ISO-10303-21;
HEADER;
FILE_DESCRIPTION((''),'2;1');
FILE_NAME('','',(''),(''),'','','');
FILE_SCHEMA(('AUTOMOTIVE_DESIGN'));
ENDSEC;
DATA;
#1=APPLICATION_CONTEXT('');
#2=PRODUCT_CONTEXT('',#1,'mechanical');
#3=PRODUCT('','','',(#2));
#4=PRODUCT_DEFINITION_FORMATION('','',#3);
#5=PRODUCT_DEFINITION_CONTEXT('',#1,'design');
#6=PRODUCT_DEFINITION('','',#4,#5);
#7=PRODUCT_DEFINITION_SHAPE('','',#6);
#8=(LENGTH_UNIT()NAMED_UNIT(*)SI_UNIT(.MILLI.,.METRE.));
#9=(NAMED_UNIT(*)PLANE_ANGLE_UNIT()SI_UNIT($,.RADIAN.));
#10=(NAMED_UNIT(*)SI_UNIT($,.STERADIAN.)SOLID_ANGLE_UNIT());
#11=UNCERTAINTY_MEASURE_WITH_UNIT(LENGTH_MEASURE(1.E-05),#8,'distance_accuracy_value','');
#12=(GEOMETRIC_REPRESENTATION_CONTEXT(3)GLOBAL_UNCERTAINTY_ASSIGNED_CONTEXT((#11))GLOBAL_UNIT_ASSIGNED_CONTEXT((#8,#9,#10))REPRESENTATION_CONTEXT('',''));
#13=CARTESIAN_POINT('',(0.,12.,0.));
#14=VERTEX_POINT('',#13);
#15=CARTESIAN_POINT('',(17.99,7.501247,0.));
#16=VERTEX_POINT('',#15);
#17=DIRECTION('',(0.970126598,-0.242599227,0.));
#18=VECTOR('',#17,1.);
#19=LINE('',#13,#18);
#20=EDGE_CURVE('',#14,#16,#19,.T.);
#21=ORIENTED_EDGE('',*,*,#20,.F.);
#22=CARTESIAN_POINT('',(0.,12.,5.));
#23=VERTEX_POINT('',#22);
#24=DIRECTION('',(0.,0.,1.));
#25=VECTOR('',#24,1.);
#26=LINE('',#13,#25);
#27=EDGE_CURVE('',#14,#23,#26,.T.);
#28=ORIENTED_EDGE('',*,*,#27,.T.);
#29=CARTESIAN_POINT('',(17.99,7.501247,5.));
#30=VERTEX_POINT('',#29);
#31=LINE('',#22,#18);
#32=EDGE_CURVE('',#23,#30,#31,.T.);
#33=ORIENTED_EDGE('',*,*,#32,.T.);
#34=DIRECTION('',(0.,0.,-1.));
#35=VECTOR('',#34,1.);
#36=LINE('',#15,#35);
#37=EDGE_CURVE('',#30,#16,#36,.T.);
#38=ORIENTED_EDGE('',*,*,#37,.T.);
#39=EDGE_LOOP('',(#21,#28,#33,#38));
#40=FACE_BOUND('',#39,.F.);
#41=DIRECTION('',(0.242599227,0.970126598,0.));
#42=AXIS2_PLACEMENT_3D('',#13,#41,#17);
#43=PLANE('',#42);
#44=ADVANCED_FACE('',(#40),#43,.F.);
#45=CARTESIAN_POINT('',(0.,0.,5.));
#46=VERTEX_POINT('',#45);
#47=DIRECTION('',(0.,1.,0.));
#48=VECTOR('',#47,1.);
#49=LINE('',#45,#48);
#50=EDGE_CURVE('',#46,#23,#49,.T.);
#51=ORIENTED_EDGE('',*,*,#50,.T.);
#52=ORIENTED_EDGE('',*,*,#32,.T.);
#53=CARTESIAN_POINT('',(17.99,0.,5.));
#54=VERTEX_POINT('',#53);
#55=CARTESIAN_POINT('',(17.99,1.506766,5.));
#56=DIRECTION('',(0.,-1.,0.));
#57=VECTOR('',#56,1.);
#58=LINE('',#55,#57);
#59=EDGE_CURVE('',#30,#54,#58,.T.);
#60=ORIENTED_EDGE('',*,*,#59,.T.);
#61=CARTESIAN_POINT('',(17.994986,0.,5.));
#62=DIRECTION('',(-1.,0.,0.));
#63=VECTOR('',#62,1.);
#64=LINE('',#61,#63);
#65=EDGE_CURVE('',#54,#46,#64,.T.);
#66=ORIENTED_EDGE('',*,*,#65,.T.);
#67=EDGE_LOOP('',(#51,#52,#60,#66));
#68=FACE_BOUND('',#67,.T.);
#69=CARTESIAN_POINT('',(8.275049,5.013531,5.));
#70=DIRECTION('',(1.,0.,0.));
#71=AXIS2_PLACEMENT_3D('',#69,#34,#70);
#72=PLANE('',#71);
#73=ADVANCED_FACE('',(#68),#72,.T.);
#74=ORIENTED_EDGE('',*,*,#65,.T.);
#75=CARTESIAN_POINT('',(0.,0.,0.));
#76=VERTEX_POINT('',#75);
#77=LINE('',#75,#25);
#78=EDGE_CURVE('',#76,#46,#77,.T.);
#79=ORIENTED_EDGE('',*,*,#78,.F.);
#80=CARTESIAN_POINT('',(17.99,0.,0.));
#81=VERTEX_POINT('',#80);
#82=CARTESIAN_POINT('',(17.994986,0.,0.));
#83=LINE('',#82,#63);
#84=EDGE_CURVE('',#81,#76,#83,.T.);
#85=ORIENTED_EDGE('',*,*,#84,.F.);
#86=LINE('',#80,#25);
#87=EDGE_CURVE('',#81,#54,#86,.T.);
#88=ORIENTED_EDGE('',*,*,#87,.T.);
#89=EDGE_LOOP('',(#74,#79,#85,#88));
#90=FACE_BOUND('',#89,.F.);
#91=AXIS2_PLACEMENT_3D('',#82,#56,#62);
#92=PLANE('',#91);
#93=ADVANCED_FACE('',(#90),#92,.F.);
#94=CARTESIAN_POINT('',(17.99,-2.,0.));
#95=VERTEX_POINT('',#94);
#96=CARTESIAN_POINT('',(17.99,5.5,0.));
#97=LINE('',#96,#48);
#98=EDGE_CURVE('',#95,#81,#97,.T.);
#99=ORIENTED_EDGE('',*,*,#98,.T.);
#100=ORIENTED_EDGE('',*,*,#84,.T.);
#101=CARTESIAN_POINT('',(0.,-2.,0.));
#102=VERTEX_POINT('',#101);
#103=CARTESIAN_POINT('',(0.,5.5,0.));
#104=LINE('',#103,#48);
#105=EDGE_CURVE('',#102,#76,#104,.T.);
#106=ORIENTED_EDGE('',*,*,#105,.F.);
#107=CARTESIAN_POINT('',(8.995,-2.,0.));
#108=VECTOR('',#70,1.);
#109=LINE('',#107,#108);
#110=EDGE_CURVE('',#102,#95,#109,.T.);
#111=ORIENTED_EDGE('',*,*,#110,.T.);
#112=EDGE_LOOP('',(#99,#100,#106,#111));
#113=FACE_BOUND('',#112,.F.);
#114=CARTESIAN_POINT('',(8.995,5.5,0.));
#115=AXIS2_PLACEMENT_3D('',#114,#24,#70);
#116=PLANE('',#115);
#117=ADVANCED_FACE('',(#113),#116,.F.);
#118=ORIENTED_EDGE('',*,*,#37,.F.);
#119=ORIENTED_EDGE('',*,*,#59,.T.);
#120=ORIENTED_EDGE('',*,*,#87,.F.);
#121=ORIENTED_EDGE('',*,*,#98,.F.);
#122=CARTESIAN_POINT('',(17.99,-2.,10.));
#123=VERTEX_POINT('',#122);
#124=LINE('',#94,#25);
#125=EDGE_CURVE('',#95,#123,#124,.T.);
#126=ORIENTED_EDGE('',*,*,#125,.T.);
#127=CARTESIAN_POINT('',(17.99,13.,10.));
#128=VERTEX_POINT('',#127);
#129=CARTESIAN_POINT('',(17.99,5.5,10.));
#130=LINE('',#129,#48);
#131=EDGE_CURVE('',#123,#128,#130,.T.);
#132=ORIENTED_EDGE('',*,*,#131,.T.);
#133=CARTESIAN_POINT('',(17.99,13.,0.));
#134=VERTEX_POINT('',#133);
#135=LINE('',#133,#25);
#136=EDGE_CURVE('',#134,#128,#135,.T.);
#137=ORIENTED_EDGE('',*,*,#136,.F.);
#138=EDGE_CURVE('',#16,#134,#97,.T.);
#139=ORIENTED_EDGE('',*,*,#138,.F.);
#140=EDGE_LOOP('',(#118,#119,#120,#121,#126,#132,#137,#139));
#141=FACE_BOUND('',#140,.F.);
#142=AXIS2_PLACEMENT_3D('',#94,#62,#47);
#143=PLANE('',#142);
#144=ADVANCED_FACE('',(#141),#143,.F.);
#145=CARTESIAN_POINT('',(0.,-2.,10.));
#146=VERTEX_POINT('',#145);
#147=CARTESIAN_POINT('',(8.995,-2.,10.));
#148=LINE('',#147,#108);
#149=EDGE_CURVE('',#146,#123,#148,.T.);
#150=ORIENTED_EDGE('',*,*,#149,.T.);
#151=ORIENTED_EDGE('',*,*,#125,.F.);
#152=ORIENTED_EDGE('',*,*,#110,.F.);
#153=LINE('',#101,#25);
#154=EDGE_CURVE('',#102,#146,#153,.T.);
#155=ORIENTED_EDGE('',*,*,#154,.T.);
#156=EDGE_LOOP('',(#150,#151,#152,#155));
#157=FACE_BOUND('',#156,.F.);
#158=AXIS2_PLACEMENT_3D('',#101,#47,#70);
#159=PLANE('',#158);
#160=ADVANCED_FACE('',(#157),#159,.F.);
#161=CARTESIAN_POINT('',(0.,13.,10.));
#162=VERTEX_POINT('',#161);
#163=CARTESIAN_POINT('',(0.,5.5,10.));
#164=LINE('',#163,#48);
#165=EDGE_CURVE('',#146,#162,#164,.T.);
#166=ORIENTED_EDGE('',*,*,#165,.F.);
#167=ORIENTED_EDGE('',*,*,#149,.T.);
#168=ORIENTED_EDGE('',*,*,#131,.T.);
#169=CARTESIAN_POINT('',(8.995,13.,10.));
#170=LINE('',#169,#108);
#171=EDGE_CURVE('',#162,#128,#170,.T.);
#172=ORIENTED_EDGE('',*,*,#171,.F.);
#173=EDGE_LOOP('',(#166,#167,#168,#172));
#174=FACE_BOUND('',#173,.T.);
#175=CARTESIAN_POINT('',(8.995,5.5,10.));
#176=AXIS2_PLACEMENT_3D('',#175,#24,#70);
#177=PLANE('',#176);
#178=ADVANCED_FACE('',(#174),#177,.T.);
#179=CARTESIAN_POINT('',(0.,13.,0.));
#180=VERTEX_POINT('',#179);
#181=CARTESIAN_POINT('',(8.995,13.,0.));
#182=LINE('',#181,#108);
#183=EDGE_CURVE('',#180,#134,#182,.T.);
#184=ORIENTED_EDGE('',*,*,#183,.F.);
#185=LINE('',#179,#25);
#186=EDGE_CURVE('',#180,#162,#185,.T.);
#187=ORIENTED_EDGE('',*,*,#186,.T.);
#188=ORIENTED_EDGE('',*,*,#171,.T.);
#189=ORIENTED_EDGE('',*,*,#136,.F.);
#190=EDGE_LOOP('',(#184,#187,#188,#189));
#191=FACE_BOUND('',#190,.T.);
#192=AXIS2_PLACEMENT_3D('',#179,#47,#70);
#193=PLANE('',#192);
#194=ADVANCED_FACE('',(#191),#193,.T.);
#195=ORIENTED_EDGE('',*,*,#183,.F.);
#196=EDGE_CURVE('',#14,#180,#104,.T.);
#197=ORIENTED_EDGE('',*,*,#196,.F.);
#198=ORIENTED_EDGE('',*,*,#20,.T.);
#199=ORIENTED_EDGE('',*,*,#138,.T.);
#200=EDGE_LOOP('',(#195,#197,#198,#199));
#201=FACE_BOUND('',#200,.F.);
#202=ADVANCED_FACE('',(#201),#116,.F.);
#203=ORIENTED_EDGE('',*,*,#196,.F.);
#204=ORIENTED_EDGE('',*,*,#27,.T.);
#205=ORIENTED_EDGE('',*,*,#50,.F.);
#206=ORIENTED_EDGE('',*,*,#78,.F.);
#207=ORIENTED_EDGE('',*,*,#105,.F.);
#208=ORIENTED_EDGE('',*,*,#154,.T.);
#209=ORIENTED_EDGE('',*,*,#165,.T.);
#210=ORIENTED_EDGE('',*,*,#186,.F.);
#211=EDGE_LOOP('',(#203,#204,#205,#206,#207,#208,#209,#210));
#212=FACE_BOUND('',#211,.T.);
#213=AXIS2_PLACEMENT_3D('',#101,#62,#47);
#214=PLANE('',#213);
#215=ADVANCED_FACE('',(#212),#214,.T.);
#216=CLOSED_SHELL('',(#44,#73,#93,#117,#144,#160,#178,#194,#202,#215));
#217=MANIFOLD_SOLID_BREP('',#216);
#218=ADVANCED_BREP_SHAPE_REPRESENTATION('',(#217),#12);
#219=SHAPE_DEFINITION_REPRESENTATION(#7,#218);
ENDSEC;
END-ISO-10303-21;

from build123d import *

# Parameters (mm, degrees)
PAD_DEPTH = 5
BOX_W     = 17.99
BOX_H     = 15
BOX_DEPTH = 10


with BuildPart() as f_150mmbody:
    # Sketch → Pad (new body)
    with BuildSketch(Plane(origin=(0, 0, 0), x_dir=(-1, 0, 0), z_dir=(0, 0, 1))):
        Polygon((0, 0), (0, -12), (-17.994986, -7.5), (-17.994986, 0), align=None)
    extrude(amount=PAD_DEPTH)


with BuildPart() as f_150mm:
    # Box → Box (new body)
    with BuildSketch(Plane(origin=(0, -2, 0), x_dir=(1, 0, 0), z_dir=(0, 0, 1))):
        with Locations((8.995, 7.5)):
            Rectangle(BOX_W, BOX_H)
    extrude(amount=BOX_DEPTH)

    # Cut: cut 150mmBody
    add(f_150mmbody.part, mode=Mode.SUBTRACT)


solid = f_150mm.part
